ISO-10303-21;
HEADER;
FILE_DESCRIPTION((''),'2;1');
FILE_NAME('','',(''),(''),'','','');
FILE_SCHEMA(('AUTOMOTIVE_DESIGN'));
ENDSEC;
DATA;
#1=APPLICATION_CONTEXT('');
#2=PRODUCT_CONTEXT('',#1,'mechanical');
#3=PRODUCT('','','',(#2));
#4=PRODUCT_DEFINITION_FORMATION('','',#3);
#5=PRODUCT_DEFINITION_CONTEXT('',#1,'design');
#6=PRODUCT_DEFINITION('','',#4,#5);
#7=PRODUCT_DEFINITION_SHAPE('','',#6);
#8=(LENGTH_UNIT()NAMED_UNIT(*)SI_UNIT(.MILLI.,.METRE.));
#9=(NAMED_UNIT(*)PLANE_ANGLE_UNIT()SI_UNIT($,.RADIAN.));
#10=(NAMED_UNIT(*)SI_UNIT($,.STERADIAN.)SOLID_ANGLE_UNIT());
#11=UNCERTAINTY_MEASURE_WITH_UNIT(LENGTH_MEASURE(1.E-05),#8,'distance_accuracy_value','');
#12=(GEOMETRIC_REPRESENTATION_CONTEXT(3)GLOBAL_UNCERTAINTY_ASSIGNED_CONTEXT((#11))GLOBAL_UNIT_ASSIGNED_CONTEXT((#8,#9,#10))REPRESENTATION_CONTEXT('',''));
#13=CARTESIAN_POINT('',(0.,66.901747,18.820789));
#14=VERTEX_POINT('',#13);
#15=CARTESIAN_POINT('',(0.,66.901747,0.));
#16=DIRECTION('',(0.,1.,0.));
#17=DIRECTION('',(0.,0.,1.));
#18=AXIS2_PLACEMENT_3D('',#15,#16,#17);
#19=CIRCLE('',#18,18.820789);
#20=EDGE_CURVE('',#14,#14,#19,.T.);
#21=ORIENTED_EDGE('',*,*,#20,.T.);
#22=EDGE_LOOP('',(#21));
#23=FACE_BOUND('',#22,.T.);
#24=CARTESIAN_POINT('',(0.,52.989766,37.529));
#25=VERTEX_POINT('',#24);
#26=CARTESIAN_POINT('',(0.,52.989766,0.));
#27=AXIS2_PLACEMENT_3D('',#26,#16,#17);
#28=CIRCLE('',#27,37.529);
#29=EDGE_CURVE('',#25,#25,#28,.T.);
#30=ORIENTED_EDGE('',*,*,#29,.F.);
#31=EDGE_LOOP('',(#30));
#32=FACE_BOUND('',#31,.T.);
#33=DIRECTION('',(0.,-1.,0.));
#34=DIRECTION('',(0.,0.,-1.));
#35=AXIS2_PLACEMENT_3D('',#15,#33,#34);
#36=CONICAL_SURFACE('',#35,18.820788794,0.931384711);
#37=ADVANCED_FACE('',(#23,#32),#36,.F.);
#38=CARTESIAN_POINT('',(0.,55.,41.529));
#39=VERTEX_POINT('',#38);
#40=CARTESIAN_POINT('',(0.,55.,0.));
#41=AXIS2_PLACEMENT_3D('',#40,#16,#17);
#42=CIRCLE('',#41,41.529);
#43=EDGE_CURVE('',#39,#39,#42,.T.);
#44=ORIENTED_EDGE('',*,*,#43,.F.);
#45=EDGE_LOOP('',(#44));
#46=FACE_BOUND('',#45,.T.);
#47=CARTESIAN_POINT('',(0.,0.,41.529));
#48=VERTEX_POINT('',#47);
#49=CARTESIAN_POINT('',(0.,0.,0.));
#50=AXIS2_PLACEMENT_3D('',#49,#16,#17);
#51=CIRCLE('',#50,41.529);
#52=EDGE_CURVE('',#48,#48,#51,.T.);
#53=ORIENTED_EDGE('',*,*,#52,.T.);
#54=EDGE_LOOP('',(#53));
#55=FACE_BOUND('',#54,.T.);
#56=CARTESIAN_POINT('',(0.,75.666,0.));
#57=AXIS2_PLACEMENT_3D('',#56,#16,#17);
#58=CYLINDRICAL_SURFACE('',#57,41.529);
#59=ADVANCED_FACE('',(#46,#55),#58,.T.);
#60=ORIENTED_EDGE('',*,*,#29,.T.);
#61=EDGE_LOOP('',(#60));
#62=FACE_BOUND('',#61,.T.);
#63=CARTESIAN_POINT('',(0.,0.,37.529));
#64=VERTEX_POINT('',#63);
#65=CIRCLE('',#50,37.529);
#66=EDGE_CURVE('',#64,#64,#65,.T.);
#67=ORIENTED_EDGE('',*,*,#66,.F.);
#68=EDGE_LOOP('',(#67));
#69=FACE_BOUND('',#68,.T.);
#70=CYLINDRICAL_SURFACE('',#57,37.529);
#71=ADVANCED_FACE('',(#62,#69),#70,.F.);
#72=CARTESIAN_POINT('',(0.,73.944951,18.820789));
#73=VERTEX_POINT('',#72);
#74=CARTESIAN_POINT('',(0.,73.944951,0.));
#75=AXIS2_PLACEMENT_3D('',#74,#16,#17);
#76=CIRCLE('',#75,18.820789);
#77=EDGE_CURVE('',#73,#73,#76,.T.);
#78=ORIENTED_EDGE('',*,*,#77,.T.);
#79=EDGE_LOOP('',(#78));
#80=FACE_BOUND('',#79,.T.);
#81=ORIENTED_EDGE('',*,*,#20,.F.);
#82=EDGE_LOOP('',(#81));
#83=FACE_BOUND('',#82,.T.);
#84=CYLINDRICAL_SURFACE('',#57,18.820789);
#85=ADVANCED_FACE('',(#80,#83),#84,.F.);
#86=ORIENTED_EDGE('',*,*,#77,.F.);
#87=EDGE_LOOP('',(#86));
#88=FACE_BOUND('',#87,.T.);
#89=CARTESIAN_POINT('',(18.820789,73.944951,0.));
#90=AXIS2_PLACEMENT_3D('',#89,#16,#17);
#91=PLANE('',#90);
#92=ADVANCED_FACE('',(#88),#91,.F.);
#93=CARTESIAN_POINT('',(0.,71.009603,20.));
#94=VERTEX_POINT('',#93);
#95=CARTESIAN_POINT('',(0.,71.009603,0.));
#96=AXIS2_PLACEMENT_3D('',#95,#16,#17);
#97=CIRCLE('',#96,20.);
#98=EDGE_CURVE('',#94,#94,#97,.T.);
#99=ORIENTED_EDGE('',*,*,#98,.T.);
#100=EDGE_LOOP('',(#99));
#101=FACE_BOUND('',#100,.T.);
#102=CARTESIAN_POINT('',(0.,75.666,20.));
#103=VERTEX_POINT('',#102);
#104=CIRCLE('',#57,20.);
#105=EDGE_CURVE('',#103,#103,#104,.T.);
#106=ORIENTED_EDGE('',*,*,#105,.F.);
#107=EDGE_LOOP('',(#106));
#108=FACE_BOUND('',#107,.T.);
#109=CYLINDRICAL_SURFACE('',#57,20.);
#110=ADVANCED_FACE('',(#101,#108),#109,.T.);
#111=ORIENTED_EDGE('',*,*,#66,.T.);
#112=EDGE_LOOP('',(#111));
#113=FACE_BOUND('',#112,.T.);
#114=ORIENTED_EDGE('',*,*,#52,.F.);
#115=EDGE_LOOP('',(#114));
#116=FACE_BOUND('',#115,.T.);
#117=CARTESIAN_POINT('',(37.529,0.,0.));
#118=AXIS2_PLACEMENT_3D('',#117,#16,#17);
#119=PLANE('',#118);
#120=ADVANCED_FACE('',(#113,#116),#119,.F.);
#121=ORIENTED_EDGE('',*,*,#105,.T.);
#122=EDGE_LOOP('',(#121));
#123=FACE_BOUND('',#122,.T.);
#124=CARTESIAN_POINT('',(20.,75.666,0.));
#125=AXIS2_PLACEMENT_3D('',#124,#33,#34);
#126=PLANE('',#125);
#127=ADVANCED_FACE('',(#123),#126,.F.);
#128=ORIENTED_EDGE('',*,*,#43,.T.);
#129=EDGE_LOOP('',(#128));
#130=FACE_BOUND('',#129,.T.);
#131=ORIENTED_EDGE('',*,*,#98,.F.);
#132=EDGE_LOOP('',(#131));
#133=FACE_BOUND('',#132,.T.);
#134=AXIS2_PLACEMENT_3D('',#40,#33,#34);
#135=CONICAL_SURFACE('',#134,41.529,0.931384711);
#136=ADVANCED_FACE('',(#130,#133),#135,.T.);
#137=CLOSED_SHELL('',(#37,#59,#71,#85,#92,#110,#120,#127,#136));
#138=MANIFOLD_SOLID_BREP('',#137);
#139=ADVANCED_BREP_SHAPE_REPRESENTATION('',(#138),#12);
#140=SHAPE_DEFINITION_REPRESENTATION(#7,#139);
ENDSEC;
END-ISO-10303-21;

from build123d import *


with BuildPart() as part:
    # Sketch1 → Revolve1 (revolve)
    with BuildSketch(Plane.XY, mode=Mode.PRIVATE) as revolve1_sk:
        Polygon((41.529, 0), (41.529, 55), (20, 71.009603175), (20, 75.666), (0, 75.666), (0, 73.944951206), (18.820788794, 73.944951206), (18.820788794, 66.901746723), (37.529, 52.98976579), (37.529, 0), align=None)
    revolve(revolve1_sk.sketch.rotate(Axis((0, 75.666, 0), (0, -1, 0)), 90), axis=Axis((0, 75.666, 0), (0, -1, 0)))


solid = part.part
